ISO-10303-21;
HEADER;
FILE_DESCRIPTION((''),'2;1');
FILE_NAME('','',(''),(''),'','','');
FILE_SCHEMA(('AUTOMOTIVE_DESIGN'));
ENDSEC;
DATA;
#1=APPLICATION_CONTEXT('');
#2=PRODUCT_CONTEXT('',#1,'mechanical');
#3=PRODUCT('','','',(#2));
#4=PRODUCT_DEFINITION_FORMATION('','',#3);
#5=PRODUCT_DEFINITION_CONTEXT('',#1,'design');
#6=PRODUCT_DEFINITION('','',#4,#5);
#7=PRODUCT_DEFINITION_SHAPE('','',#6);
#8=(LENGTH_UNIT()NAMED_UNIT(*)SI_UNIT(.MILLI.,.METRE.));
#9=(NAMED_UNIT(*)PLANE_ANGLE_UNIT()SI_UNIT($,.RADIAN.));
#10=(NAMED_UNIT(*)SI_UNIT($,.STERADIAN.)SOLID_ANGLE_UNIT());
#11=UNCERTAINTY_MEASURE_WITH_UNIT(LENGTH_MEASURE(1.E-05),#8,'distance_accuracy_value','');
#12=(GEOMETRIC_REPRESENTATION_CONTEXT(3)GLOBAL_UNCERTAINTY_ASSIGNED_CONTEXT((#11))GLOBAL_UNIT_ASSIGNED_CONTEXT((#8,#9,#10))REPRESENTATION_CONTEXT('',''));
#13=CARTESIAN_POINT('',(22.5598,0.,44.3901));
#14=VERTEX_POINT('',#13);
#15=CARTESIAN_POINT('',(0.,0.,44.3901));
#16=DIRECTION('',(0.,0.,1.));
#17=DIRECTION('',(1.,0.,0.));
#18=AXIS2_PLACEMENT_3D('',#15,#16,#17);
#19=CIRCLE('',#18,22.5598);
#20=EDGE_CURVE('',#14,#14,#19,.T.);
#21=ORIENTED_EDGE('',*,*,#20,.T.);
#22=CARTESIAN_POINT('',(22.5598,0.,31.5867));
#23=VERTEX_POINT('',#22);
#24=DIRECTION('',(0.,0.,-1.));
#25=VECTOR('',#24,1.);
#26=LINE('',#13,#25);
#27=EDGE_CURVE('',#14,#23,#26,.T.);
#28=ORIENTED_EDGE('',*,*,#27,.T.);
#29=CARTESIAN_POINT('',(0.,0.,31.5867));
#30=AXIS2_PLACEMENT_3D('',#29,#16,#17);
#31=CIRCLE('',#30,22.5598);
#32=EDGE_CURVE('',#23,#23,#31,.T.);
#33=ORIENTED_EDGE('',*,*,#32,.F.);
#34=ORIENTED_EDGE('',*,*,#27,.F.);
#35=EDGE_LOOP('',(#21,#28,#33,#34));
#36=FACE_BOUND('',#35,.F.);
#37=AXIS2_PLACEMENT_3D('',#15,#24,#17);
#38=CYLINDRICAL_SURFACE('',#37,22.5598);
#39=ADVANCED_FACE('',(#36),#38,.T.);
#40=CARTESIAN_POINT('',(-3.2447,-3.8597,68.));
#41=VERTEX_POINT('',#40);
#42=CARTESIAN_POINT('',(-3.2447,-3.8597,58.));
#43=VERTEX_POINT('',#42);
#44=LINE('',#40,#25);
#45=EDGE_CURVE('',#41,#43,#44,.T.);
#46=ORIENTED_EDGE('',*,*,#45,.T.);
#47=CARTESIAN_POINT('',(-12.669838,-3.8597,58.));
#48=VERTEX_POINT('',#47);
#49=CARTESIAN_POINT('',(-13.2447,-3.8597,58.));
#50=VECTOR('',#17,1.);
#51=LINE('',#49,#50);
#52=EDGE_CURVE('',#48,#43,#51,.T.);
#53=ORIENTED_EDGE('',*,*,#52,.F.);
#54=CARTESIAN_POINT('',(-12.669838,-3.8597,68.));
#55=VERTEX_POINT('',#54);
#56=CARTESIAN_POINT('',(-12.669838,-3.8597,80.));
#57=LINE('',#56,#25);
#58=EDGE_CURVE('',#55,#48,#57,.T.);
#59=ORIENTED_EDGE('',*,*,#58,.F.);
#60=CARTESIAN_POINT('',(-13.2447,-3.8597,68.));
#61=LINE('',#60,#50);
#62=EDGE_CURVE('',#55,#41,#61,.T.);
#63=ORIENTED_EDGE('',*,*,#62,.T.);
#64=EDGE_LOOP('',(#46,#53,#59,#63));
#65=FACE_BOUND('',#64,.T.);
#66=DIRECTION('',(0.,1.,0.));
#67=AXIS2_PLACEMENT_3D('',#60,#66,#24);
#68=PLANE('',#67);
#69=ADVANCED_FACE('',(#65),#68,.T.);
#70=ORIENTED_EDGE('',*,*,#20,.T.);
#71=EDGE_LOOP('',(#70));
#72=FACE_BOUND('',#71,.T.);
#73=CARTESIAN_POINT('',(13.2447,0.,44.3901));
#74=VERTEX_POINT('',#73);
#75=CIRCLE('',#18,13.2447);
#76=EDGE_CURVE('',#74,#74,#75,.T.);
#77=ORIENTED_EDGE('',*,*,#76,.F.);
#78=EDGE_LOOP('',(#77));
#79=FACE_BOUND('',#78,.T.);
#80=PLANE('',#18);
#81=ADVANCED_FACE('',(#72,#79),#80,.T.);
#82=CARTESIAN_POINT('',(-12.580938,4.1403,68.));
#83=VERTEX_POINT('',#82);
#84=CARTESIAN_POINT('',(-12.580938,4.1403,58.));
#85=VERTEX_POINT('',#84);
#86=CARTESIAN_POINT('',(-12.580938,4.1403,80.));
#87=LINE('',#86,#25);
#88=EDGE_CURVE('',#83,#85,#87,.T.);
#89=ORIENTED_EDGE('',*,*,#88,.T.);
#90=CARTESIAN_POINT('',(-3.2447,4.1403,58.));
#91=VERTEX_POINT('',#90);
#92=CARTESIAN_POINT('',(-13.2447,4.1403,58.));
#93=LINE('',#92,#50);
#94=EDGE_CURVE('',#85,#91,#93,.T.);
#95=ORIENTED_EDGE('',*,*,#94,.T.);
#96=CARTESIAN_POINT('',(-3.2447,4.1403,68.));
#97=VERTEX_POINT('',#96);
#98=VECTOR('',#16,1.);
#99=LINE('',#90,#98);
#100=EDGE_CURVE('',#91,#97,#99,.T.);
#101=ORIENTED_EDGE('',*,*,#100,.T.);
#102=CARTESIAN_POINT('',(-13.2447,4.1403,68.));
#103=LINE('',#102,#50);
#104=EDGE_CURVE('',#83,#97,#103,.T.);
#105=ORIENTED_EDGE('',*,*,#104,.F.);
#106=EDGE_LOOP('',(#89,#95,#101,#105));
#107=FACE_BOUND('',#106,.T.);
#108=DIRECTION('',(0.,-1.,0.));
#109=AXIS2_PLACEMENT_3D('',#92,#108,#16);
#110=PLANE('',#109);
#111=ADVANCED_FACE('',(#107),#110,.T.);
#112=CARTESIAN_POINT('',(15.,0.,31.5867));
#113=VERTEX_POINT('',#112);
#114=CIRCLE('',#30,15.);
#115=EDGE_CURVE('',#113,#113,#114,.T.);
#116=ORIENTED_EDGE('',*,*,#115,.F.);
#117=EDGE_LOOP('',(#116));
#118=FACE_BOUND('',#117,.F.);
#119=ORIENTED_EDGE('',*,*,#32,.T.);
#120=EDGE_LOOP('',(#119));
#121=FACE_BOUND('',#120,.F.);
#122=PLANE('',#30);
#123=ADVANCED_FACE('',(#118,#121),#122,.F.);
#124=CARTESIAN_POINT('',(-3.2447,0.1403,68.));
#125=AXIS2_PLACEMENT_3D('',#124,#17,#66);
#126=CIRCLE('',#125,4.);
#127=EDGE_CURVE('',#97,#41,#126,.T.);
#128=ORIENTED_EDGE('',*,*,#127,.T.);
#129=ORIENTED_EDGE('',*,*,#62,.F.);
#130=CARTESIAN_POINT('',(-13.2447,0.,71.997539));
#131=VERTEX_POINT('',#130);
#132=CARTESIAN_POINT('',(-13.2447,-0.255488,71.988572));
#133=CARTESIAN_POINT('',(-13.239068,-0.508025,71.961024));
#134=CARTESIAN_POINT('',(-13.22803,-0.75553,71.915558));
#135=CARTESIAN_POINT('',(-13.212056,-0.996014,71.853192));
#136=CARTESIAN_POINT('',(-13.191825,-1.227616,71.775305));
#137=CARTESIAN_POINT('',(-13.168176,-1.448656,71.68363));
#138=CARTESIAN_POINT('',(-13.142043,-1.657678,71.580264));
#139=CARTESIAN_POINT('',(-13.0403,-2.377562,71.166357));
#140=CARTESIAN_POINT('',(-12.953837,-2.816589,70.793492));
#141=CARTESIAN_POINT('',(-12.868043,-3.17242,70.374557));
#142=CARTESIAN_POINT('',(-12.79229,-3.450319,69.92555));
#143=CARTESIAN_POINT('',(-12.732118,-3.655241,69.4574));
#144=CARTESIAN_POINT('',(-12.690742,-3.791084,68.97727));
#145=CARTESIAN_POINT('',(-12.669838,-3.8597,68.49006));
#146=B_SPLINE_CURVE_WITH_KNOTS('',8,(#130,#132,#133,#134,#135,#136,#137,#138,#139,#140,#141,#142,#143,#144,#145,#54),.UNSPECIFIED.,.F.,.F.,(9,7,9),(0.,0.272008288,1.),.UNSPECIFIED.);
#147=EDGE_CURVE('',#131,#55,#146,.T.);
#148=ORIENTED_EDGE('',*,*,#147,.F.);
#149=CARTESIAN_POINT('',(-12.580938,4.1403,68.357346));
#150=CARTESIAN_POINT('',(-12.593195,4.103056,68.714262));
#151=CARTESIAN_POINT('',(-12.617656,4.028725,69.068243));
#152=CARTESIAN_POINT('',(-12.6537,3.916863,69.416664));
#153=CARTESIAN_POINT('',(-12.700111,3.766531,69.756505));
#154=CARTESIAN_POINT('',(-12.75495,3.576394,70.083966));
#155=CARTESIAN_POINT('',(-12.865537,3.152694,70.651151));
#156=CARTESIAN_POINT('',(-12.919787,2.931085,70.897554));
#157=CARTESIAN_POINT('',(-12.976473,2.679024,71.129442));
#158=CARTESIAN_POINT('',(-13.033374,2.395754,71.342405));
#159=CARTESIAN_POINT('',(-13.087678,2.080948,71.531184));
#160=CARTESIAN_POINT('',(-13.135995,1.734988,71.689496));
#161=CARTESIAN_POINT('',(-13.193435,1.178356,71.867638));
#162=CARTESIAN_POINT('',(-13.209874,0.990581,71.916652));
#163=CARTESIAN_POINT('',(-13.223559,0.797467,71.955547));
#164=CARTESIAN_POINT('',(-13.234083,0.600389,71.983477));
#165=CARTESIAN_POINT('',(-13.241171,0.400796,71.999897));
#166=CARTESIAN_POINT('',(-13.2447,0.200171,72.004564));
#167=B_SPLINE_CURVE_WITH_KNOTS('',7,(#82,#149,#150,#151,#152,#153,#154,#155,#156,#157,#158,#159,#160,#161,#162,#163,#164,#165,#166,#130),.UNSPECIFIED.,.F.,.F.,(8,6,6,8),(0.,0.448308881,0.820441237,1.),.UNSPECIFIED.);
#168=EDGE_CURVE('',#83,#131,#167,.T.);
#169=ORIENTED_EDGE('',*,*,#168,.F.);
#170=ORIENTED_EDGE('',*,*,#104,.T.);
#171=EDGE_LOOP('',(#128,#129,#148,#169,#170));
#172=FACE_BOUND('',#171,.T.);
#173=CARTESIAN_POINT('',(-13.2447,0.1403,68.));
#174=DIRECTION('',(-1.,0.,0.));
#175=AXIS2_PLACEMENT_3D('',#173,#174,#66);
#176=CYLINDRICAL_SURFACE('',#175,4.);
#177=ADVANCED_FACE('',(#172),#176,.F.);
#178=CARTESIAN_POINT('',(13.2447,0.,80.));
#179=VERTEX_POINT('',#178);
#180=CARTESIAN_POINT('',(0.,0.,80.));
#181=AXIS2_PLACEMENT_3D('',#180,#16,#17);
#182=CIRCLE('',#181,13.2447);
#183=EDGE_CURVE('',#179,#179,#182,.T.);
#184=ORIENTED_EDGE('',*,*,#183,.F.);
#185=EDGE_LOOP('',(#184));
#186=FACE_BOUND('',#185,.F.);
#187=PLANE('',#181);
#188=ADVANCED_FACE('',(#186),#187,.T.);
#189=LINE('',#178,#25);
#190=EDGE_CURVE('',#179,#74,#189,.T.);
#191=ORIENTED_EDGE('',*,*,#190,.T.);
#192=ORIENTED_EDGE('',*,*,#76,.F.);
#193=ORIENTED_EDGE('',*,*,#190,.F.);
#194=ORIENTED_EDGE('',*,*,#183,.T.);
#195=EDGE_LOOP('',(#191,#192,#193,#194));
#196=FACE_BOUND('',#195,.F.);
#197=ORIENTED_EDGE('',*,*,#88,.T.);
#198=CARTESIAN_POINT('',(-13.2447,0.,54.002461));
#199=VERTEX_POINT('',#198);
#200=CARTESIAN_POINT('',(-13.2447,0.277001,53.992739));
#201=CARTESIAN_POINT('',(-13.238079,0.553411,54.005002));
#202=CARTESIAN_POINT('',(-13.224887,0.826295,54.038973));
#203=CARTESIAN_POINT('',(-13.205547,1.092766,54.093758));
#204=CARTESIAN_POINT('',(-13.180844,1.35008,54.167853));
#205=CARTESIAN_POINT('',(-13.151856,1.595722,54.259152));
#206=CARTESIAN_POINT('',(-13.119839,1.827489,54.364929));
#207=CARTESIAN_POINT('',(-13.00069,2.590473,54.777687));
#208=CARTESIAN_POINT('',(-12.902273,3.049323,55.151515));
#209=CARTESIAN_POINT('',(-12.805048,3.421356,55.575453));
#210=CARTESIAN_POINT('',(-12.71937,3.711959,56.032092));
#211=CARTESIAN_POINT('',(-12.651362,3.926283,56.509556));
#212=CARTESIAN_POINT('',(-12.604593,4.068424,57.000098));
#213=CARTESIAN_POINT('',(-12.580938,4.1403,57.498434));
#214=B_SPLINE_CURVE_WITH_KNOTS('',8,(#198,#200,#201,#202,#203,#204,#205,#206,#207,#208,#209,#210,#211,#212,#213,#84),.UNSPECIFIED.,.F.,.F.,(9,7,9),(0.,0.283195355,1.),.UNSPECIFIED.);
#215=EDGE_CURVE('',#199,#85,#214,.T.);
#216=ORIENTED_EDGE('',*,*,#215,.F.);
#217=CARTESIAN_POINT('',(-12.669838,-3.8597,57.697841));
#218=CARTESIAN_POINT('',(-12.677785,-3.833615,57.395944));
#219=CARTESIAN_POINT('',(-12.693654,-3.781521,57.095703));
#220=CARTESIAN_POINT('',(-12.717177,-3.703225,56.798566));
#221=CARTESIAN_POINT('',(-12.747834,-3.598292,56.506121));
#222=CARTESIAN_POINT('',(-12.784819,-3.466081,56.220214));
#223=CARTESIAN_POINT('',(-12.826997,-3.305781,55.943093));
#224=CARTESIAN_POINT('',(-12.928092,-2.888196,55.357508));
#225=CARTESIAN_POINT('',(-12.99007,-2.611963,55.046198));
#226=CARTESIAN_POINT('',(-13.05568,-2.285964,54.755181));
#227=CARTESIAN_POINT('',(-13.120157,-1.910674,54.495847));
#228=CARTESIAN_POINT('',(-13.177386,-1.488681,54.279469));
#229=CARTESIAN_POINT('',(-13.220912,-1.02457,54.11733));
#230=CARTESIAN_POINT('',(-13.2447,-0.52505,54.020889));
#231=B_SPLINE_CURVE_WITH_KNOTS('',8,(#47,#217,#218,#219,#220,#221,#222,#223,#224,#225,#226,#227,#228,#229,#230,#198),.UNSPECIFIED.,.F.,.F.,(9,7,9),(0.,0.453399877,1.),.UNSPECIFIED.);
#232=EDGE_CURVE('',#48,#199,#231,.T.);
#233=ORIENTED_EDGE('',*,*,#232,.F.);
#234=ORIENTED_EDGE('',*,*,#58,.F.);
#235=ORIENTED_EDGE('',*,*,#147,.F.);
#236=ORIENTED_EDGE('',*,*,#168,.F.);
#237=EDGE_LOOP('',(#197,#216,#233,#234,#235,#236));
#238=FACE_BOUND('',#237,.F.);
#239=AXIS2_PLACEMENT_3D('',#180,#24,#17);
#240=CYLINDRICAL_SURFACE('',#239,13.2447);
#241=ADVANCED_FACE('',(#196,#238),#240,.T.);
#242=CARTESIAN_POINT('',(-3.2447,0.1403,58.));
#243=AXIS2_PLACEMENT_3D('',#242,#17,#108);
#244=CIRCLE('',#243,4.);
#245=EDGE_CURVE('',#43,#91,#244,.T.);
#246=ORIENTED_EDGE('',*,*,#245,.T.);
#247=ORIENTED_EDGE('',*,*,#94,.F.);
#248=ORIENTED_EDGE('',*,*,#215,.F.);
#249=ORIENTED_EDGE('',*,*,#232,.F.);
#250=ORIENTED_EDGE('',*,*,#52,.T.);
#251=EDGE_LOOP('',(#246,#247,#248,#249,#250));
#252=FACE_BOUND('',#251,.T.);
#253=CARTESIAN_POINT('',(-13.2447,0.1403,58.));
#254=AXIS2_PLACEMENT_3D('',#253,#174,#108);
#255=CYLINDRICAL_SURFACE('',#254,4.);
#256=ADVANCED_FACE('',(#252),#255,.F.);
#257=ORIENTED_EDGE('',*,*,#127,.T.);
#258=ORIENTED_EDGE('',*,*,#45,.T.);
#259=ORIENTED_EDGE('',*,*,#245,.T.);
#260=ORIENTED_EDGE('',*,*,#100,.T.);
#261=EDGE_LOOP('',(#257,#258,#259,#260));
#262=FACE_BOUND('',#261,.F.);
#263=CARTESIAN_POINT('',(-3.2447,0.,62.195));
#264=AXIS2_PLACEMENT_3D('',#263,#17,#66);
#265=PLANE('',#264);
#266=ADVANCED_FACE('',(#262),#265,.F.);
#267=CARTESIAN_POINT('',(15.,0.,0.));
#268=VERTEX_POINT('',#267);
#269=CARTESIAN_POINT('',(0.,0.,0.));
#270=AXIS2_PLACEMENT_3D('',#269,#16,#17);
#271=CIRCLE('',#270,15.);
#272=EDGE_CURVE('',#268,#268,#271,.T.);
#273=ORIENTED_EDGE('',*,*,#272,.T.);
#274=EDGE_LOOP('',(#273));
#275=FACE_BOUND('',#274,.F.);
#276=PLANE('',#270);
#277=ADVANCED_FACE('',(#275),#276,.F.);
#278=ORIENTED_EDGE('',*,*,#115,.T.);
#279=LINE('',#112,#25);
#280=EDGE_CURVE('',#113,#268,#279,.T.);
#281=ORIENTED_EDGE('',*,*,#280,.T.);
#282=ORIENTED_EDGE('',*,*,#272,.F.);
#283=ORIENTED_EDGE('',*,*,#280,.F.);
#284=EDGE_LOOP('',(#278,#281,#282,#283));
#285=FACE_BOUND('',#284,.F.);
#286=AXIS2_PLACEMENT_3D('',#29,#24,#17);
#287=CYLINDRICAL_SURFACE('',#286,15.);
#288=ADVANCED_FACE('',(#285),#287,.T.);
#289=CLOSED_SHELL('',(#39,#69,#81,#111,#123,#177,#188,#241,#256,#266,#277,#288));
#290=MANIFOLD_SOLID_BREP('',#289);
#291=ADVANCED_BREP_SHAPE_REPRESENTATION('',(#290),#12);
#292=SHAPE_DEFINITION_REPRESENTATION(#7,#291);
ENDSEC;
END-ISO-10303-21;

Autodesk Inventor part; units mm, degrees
ref_plane "XZ Plane" through (0, 0, 0) normal (0, 1, 0) x (-1, 0, 0)
ref_plane "XY Plane" through (0, 0, 0) normal (0, 0, 1) x (1, 0, 0)
sketch "Sketch2" plane through (0, 0, 0) normal (0, 1, 0) x (-1, 0, 0)
  line L0 (0, 0) -> (0, 80)
  line L1 (0, 80) -> (-13.2447, 80)
  line L2 (-13.2447, 80) -> (-13.2447, 44.3901)
  line L3 (-22.5598, 44.3901) -> (-22.5598, 31.5867)
  line L4 (-22.5598, 31.5867) -> (-15, 31.5867)
  line L5 (-15, 31.5867) -> (-15, 0)
  line L6 (-15, 0) -> (0, 0)
  line L7 (-22.5598, 44.3901) -> (-13.2447, 44.3901)
  dimension "d6" = 30
  dimension "d7" = 80
revolve "Revolution1" add sketch "Sketch2" angle 360 about axis through (0, 0, 0) along (0, 0, 1)
ref_plane "Work Plane1" through (-13.2447, 0, 62.195) normal (1, 0, 0) x (0, 1, 0)
sketch "Sketch3" plane through (-13.2447, 0, 62.195) normal (1, 0, 0) x (0, 1, 0)
  line L0 (13.2447, -17.805) -> (-13.2447, -17.805) projected
  line L1 (13.2447, 17.805) -> (-13.2447, 17.805) projected
  line L2 (0.1403, 5.805) -> (0.1403, -4.195) construction
  line L3 (-3.8597, 5.805) -> (-3.8597, -4.195)
  line L4 (4.1403, -4.195) -> (4.1403, 5.805)
  arc A0 (4.1403, 5.805) -> (-3.8597, 5.805) centre (0.1403, 5.805) ccw
  arc A1 (-3.8597, -4.195) -> (4.1403, -4.195) centre (0.1403, -4.195) ccw
  point P0 (0, -62.195)
  point P1 (0.1403, 0.805)
  dimension "d8" = 12
  dimension "d9" = 8
  dimension "d10" = 10
extrude "Extrusion2" cut sketch "Sketch3" along normal blind 10
properties part number "NVPH-312 augur shaft"
